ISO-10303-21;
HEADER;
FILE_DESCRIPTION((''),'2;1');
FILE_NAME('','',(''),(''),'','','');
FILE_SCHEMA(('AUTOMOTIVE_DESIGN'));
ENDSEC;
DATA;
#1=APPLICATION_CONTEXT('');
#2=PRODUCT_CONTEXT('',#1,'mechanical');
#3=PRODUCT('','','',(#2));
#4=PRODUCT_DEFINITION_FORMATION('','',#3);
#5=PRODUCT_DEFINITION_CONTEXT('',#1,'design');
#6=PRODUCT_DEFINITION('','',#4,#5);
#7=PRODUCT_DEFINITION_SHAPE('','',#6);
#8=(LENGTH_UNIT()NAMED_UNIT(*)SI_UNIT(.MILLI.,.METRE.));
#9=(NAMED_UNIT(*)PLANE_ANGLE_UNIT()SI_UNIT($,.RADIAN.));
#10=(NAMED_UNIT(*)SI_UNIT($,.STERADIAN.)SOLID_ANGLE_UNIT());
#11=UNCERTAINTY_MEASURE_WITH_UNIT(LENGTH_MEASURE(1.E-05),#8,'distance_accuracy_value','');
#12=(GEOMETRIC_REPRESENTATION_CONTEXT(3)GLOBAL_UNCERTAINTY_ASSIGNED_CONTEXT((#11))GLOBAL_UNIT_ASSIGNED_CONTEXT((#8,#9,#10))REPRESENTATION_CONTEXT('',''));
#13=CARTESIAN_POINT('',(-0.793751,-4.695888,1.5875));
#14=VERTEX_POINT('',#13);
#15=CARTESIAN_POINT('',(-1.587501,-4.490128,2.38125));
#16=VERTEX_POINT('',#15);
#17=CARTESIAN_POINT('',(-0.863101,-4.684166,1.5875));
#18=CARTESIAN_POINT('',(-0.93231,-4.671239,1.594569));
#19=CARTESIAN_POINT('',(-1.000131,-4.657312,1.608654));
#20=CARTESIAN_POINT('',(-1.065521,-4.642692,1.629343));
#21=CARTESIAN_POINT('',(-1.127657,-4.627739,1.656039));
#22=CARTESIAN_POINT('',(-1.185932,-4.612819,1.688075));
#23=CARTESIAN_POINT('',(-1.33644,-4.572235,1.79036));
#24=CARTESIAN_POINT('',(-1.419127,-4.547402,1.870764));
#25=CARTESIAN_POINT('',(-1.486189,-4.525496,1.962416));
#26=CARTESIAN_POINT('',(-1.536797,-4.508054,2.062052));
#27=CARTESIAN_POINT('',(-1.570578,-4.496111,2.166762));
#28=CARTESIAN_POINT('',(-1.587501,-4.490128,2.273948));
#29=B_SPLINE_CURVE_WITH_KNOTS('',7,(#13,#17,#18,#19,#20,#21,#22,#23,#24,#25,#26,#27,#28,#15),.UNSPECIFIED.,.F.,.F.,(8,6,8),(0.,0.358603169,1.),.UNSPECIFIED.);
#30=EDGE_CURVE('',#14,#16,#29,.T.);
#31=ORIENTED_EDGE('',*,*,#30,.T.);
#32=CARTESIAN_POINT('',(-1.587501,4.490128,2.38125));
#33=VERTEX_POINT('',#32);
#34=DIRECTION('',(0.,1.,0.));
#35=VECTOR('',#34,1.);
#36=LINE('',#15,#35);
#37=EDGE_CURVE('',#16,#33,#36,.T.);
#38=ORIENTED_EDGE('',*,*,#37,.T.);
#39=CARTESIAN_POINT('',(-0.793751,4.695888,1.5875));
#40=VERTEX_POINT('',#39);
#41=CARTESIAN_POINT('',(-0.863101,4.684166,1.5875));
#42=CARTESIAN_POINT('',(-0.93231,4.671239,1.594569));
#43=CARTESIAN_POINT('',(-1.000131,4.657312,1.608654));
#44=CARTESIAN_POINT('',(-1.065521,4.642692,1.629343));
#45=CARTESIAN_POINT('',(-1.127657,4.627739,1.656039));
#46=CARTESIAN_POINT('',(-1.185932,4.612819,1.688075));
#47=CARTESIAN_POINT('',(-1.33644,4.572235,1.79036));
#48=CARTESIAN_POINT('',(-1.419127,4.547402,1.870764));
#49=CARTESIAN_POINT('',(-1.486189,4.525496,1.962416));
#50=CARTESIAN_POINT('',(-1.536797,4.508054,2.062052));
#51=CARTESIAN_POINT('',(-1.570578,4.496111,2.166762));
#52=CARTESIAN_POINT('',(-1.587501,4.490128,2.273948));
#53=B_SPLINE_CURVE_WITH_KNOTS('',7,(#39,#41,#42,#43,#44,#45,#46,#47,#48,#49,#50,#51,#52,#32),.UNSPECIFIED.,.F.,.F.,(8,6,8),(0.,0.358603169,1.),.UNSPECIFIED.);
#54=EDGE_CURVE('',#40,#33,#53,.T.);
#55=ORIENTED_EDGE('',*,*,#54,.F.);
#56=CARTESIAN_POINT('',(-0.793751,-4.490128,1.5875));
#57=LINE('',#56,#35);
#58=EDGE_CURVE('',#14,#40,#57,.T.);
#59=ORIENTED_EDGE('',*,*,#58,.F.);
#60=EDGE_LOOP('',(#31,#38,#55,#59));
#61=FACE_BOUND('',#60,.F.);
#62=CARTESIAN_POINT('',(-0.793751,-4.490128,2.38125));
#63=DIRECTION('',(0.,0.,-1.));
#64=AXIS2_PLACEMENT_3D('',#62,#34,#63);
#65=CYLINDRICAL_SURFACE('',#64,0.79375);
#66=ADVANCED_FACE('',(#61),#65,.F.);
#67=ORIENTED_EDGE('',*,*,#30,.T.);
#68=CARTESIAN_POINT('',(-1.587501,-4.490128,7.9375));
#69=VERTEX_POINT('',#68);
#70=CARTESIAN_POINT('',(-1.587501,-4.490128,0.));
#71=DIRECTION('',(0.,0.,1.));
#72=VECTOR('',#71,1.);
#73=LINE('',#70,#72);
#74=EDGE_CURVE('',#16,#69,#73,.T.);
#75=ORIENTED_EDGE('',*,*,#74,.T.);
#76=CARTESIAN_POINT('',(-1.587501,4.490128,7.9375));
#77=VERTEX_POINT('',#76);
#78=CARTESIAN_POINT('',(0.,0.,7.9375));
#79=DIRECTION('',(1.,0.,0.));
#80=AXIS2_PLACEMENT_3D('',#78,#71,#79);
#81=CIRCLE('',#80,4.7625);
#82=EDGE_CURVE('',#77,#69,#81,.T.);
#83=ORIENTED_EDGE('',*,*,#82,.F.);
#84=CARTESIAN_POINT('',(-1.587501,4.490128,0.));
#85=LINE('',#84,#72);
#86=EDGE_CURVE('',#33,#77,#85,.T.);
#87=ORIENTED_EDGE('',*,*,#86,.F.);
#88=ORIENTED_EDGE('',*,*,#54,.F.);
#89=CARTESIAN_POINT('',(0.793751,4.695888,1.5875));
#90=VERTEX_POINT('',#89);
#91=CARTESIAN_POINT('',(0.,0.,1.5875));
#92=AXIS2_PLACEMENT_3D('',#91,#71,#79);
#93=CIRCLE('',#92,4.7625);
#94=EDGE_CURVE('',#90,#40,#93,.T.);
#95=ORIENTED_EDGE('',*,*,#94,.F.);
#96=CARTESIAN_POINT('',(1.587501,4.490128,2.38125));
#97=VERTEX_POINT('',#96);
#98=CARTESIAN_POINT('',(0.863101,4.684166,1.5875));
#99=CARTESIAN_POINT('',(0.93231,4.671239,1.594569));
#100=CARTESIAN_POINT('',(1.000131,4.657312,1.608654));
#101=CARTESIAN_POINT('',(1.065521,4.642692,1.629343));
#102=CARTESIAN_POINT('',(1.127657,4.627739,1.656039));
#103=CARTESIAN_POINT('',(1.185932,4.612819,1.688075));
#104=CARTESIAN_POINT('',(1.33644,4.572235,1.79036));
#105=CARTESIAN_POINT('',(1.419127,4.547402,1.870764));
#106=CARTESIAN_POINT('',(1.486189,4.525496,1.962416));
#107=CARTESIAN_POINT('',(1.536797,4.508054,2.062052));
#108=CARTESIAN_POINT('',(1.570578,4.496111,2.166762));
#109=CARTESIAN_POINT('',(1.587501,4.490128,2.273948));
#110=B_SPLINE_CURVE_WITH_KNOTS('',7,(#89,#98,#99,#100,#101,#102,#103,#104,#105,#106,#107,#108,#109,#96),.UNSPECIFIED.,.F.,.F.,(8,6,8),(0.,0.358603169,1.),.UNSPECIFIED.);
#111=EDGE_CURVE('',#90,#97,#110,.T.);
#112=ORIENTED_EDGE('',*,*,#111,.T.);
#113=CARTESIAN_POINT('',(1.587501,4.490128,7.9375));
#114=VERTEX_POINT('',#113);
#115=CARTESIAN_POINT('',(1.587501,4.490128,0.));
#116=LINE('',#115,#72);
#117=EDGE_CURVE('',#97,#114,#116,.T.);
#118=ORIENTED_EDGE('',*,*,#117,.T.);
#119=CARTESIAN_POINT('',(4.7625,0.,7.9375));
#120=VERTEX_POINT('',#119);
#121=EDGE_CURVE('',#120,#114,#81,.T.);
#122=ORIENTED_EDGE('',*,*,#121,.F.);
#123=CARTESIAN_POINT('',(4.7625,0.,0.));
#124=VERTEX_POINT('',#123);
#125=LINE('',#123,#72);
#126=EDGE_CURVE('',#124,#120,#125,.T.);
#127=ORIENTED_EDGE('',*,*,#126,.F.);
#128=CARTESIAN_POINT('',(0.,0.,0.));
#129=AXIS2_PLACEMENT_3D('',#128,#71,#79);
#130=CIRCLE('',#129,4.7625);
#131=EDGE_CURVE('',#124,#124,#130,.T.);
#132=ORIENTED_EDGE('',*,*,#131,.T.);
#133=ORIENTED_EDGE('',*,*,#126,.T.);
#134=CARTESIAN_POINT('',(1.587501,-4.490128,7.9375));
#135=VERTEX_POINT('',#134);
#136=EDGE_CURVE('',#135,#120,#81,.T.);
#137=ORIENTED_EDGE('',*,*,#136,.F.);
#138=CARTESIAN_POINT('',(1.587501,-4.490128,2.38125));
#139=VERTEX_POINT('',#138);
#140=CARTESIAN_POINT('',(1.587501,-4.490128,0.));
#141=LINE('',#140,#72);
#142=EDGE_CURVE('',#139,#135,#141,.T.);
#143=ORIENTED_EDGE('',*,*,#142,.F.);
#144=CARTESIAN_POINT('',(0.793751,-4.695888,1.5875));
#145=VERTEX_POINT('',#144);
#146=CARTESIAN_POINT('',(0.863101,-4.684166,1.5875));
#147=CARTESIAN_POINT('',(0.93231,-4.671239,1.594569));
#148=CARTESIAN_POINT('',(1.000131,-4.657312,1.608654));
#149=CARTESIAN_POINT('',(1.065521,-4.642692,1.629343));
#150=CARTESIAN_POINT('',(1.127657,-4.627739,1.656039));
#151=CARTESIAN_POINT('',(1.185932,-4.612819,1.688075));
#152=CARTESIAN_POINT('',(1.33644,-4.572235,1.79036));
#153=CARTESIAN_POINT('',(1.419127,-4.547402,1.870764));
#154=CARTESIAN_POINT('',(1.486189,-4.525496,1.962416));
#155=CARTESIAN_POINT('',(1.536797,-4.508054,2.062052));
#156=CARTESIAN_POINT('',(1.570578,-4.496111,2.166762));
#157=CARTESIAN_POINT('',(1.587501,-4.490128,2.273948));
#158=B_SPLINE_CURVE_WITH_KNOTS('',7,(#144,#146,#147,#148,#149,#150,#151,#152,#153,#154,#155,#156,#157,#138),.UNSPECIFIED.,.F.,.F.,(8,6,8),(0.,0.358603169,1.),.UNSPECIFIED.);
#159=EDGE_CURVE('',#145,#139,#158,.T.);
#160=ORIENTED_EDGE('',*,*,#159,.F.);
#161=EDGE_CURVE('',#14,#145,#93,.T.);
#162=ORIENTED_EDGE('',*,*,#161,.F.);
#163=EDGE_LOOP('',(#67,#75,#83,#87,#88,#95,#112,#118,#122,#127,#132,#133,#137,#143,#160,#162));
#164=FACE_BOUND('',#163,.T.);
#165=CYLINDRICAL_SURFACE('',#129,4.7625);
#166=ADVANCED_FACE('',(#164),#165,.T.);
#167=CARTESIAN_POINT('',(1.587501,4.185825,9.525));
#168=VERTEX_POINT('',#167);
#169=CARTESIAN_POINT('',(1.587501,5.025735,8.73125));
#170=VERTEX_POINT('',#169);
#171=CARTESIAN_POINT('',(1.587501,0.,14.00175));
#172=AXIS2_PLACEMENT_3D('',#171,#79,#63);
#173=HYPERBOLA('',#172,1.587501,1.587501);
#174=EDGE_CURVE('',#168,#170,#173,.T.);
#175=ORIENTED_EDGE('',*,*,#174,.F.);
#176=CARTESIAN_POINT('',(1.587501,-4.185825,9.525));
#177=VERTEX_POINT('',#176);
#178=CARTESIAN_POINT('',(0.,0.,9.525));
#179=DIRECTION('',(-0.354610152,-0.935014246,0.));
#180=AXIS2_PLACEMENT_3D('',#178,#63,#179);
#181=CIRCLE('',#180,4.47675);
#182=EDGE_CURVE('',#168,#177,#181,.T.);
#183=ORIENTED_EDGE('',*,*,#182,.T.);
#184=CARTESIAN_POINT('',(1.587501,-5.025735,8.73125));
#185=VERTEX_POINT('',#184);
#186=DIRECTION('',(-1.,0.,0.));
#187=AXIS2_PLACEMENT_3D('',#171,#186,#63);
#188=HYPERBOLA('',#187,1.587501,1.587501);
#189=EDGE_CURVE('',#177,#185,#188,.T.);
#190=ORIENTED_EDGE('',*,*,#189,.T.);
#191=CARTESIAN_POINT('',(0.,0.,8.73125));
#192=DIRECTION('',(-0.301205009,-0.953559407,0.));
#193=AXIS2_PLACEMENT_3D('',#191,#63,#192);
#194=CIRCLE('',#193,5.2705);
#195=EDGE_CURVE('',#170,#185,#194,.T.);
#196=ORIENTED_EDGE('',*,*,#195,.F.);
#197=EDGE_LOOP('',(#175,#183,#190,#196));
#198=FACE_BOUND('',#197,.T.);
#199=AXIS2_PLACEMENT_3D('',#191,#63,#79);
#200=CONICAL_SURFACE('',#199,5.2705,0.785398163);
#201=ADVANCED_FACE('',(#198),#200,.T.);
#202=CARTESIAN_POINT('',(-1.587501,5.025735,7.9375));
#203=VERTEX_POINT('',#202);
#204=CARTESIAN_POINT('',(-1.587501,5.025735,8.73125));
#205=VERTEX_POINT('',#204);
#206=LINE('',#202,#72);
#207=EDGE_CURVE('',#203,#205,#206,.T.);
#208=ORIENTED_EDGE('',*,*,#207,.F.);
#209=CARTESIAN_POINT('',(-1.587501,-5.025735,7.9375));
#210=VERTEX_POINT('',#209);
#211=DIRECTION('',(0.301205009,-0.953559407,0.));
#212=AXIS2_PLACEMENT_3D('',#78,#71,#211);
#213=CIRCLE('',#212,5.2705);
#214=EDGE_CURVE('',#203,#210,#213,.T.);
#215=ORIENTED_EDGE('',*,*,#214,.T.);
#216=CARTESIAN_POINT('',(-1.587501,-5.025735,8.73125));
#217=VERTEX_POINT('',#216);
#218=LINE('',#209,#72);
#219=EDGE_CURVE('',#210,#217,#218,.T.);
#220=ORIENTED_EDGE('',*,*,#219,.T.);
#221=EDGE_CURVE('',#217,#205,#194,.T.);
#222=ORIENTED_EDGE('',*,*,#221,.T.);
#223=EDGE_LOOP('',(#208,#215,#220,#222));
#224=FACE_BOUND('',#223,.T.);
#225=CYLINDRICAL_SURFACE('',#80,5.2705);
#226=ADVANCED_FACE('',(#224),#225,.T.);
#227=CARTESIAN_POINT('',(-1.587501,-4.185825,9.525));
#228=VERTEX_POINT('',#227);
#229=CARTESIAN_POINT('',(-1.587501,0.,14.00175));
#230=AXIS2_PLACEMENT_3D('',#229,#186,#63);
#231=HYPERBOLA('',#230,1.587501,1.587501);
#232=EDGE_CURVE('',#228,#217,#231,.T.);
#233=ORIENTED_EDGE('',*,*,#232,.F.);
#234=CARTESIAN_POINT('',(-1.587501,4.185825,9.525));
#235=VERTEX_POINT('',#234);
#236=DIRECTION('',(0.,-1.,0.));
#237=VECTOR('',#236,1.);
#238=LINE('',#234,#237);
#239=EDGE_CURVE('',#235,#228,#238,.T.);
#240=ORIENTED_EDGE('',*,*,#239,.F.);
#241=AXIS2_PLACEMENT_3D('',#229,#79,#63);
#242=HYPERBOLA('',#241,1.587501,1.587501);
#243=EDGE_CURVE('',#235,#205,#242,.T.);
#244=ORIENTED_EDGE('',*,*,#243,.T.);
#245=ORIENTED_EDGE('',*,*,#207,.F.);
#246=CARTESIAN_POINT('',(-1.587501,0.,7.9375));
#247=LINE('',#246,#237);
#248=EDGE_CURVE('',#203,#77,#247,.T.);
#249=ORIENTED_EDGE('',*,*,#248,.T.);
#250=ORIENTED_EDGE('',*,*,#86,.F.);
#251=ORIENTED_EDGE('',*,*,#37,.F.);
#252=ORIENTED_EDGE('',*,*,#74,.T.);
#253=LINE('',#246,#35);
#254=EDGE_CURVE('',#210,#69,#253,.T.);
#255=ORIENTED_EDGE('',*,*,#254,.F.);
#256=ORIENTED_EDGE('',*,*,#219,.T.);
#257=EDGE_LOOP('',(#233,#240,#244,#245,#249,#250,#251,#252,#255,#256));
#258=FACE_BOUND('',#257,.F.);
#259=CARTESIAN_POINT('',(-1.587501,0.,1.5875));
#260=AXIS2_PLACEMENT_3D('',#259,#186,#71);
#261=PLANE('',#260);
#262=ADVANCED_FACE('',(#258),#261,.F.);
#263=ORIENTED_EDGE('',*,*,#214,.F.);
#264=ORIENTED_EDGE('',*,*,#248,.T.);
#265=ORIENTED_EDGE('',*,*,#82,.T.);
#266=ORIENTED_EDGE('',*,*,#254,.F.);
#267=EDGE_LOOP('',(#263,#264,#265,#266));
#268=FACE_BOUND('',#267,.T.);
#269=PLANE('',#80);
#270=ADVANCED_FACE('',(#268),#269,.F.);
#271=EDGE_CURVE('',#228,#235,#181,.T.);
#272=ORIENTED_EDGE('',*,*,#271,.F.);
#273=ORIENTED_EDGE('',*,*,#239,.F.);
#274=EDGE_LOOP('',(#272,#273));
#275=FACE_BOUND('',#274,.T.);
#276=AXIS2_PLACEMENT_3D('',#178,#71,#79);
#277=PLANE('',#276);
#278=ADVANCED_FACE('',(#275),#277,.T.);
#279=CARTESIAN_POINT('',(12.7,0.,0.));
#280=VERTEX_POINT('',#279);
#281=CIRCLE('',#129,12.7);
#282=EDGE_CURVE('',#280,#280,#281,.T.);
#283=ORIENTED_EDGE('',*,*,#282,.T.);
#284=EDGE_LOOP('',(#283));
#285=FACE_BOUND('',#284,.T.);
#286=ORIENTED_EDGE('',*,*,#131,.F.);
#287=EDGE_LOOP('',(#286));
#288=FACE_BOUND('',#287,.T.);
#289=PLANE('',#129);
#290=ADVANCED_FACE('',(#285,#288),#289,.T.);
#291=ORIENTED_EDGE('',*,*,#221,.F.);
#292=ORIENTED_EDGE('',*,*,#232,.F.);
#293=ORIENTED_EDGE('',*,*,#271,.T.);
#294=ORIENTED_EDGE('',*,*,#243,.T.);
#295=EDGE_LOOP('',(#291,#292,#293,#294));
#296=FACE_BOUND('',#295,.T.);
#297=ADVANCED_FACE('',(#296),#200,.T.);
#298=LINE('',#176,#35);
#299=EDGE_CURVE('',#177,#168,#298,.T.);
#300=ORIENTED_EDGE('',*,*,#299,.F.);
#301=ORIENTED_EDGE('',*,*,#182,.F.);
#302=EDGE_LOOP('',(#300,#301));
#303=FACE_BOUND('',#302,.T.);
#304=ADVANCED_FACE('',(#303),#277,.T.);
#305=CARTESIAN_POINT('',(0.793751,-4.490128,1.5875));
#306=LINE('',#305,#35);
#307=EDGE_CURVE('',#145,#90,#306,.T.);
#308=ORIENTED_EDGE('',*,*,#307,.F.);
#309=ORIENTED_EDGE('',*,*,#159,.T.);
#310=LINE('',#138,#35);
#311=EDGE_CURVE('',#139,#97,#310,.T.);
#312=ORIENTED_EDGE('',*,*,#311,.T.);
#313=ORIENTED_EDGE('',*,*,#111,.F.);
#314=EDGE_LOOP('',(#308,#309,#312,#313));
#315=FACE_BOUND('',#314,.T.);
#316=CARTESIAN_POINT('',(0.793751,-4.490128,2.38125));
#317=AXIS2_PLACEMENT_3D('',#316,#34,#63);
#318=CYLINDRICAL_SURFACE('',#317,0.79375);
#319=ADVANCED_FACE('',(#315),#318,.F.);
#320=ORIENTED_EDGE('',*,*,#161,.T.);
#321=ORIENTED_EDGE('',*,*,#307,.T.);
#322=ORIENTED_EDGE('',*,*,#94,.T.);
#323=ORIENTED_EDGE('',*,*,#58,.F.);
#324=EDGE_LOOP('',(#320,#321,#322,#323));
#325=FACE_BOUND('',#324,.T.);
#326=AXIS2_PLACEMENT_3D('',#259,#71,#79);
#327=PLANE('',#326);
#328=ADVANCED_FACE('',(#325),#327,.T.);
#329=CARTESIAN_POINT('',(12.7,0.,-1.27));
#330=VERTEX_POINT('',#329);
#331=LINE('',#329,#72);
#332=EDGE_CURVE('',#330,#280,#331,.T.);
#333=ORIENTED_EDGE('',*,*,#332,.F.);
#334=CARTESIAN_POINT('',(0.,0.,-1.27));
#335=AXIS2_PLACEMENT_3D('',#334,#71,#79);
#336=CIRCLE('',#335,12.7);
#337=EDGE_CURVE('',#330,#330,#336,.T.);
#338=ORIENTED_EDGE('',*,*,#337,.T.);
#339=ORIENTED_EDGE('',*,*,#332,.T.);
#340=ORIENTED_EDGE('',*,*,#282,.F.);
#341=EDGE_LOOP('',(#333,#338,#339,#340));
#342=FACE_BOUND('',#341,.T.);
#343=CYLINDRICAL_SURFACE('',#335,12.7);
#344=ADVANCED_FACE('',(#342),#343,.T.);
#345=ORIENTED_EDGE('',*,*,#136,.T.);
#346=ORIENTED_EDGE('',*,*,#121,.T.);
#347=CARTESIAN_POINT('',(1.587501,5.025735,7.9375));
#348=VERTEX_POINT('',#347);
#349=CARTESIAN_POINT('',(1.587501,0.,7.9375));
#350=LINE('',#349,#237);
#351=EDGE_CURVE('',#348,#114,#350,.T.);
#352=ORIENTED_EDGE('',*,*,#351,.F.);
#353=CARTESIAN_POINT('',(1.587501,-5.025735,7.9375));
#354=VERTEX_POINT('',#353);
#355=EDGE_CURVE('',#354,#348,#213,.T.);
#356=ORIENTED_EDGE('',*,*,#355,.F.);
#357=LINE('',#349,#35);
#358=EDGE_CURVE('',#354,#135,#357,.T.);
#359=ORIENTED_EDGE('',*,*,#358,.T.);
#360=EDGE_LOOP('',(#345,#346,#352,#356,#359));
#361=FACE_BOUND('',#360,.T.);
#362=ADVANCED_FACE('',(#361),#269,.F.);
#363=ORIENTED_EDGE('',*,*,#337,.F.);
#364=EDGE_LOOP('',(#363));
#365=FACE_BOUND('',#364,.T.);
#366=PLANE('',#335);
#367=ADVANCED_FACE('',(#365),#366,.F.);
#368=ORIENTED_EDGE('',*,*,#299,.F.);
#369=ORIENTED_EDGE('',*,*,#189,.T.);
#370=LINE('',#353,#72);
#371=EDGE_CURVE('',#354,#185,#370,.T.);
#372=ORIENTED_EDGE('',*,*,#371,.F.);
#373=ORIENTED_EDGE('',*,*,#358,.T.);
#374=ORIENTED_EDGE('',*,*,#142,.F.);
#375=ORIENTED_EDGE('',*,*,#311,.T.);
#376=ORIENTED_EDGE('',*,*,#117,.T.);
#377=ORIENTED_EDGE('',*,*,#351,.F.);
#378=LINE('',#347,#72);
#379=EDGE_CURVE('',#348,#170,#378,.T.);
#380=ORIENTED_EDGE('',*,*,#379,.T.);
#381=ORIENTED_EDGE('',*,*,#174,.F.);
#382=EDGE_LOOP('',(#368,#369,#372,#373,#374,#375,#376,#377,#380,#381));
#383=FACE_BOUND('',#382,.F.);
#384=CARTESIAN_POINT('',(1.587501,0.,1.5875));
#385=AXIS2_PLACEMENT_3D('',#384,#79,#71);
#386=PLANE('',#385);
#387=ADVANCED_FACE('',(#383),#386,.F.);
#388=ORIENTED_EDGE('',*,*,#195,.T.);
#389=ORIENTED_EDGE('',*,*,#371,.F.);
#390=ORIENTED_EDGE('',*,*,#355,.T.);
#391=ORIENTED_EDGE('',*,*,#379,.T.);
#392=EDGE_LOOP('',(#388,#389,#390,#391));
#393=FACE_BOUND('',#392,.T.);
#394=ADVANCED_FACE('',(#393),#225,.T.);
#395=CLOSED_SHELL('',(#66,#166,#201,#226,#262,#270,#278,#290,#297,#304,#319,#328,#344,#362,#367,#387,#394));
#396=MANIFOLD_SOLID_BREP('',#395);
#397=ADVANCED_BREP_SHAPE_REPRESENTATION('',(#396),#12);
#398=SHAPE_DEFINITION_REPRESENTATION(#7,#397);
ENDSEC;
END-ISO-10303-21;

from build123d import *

# Parameters (mm, degrees)
F2_SIZE       = 0.79375
F3_W          = 3.175002
F3_H          = 7.9375
F4_DEPTH      = 12.701
F4_DEPTH_BACK = 12.701
F5_R          = 0.79375


with BuildPart() as f1:
    # F0 (on Front) → F1 (revolve)
    with BuildSketch(Plane.XZ):
        Polygon((12.7, 0), (4.7625, 0), (4.7625, 7.9375), (5.2705, 7.9375), (5.2705, 9.525), (0, 9.525), (0, 7.9375), (0, 0), (0, -1.27), (12.7, -1.27), align=None)
    revolve(axis=Axis((0, 0, 3.96875), (0, 0, 1)))

    # F2
    f2_edges = [f1.edges().sort_by_distance(p)[0] for p in [
        (-5.2705, 0, 9.525),
    ]]
    chamfer(f2_edges, length=F2_SIZE)

    # F3 (on Front) → F4 (cut, two sides)
    with BuildSketch(Plane.XZ) as f4_sk:
        with Locations((0, 5.55625)):
            Rectangle(F3_W, F3_H)
    extrude(amount=F4_DEPTH, mode=Mode.SUBTRACT)
    extrude(f4_sk.sketch, amount=-F4_DEPTH_BACK, mode=Mode.SUBTRACT)

    # F5
    f5_edges = [f1.edges().sort_by_distance(p)[0] for p in [
        (1.587501, 0, 1.5875),
        (-1.587501, 0, 1.5875),
    ]]
    fillet(f5_edges, radius=F5_R)


solid = f1.part
